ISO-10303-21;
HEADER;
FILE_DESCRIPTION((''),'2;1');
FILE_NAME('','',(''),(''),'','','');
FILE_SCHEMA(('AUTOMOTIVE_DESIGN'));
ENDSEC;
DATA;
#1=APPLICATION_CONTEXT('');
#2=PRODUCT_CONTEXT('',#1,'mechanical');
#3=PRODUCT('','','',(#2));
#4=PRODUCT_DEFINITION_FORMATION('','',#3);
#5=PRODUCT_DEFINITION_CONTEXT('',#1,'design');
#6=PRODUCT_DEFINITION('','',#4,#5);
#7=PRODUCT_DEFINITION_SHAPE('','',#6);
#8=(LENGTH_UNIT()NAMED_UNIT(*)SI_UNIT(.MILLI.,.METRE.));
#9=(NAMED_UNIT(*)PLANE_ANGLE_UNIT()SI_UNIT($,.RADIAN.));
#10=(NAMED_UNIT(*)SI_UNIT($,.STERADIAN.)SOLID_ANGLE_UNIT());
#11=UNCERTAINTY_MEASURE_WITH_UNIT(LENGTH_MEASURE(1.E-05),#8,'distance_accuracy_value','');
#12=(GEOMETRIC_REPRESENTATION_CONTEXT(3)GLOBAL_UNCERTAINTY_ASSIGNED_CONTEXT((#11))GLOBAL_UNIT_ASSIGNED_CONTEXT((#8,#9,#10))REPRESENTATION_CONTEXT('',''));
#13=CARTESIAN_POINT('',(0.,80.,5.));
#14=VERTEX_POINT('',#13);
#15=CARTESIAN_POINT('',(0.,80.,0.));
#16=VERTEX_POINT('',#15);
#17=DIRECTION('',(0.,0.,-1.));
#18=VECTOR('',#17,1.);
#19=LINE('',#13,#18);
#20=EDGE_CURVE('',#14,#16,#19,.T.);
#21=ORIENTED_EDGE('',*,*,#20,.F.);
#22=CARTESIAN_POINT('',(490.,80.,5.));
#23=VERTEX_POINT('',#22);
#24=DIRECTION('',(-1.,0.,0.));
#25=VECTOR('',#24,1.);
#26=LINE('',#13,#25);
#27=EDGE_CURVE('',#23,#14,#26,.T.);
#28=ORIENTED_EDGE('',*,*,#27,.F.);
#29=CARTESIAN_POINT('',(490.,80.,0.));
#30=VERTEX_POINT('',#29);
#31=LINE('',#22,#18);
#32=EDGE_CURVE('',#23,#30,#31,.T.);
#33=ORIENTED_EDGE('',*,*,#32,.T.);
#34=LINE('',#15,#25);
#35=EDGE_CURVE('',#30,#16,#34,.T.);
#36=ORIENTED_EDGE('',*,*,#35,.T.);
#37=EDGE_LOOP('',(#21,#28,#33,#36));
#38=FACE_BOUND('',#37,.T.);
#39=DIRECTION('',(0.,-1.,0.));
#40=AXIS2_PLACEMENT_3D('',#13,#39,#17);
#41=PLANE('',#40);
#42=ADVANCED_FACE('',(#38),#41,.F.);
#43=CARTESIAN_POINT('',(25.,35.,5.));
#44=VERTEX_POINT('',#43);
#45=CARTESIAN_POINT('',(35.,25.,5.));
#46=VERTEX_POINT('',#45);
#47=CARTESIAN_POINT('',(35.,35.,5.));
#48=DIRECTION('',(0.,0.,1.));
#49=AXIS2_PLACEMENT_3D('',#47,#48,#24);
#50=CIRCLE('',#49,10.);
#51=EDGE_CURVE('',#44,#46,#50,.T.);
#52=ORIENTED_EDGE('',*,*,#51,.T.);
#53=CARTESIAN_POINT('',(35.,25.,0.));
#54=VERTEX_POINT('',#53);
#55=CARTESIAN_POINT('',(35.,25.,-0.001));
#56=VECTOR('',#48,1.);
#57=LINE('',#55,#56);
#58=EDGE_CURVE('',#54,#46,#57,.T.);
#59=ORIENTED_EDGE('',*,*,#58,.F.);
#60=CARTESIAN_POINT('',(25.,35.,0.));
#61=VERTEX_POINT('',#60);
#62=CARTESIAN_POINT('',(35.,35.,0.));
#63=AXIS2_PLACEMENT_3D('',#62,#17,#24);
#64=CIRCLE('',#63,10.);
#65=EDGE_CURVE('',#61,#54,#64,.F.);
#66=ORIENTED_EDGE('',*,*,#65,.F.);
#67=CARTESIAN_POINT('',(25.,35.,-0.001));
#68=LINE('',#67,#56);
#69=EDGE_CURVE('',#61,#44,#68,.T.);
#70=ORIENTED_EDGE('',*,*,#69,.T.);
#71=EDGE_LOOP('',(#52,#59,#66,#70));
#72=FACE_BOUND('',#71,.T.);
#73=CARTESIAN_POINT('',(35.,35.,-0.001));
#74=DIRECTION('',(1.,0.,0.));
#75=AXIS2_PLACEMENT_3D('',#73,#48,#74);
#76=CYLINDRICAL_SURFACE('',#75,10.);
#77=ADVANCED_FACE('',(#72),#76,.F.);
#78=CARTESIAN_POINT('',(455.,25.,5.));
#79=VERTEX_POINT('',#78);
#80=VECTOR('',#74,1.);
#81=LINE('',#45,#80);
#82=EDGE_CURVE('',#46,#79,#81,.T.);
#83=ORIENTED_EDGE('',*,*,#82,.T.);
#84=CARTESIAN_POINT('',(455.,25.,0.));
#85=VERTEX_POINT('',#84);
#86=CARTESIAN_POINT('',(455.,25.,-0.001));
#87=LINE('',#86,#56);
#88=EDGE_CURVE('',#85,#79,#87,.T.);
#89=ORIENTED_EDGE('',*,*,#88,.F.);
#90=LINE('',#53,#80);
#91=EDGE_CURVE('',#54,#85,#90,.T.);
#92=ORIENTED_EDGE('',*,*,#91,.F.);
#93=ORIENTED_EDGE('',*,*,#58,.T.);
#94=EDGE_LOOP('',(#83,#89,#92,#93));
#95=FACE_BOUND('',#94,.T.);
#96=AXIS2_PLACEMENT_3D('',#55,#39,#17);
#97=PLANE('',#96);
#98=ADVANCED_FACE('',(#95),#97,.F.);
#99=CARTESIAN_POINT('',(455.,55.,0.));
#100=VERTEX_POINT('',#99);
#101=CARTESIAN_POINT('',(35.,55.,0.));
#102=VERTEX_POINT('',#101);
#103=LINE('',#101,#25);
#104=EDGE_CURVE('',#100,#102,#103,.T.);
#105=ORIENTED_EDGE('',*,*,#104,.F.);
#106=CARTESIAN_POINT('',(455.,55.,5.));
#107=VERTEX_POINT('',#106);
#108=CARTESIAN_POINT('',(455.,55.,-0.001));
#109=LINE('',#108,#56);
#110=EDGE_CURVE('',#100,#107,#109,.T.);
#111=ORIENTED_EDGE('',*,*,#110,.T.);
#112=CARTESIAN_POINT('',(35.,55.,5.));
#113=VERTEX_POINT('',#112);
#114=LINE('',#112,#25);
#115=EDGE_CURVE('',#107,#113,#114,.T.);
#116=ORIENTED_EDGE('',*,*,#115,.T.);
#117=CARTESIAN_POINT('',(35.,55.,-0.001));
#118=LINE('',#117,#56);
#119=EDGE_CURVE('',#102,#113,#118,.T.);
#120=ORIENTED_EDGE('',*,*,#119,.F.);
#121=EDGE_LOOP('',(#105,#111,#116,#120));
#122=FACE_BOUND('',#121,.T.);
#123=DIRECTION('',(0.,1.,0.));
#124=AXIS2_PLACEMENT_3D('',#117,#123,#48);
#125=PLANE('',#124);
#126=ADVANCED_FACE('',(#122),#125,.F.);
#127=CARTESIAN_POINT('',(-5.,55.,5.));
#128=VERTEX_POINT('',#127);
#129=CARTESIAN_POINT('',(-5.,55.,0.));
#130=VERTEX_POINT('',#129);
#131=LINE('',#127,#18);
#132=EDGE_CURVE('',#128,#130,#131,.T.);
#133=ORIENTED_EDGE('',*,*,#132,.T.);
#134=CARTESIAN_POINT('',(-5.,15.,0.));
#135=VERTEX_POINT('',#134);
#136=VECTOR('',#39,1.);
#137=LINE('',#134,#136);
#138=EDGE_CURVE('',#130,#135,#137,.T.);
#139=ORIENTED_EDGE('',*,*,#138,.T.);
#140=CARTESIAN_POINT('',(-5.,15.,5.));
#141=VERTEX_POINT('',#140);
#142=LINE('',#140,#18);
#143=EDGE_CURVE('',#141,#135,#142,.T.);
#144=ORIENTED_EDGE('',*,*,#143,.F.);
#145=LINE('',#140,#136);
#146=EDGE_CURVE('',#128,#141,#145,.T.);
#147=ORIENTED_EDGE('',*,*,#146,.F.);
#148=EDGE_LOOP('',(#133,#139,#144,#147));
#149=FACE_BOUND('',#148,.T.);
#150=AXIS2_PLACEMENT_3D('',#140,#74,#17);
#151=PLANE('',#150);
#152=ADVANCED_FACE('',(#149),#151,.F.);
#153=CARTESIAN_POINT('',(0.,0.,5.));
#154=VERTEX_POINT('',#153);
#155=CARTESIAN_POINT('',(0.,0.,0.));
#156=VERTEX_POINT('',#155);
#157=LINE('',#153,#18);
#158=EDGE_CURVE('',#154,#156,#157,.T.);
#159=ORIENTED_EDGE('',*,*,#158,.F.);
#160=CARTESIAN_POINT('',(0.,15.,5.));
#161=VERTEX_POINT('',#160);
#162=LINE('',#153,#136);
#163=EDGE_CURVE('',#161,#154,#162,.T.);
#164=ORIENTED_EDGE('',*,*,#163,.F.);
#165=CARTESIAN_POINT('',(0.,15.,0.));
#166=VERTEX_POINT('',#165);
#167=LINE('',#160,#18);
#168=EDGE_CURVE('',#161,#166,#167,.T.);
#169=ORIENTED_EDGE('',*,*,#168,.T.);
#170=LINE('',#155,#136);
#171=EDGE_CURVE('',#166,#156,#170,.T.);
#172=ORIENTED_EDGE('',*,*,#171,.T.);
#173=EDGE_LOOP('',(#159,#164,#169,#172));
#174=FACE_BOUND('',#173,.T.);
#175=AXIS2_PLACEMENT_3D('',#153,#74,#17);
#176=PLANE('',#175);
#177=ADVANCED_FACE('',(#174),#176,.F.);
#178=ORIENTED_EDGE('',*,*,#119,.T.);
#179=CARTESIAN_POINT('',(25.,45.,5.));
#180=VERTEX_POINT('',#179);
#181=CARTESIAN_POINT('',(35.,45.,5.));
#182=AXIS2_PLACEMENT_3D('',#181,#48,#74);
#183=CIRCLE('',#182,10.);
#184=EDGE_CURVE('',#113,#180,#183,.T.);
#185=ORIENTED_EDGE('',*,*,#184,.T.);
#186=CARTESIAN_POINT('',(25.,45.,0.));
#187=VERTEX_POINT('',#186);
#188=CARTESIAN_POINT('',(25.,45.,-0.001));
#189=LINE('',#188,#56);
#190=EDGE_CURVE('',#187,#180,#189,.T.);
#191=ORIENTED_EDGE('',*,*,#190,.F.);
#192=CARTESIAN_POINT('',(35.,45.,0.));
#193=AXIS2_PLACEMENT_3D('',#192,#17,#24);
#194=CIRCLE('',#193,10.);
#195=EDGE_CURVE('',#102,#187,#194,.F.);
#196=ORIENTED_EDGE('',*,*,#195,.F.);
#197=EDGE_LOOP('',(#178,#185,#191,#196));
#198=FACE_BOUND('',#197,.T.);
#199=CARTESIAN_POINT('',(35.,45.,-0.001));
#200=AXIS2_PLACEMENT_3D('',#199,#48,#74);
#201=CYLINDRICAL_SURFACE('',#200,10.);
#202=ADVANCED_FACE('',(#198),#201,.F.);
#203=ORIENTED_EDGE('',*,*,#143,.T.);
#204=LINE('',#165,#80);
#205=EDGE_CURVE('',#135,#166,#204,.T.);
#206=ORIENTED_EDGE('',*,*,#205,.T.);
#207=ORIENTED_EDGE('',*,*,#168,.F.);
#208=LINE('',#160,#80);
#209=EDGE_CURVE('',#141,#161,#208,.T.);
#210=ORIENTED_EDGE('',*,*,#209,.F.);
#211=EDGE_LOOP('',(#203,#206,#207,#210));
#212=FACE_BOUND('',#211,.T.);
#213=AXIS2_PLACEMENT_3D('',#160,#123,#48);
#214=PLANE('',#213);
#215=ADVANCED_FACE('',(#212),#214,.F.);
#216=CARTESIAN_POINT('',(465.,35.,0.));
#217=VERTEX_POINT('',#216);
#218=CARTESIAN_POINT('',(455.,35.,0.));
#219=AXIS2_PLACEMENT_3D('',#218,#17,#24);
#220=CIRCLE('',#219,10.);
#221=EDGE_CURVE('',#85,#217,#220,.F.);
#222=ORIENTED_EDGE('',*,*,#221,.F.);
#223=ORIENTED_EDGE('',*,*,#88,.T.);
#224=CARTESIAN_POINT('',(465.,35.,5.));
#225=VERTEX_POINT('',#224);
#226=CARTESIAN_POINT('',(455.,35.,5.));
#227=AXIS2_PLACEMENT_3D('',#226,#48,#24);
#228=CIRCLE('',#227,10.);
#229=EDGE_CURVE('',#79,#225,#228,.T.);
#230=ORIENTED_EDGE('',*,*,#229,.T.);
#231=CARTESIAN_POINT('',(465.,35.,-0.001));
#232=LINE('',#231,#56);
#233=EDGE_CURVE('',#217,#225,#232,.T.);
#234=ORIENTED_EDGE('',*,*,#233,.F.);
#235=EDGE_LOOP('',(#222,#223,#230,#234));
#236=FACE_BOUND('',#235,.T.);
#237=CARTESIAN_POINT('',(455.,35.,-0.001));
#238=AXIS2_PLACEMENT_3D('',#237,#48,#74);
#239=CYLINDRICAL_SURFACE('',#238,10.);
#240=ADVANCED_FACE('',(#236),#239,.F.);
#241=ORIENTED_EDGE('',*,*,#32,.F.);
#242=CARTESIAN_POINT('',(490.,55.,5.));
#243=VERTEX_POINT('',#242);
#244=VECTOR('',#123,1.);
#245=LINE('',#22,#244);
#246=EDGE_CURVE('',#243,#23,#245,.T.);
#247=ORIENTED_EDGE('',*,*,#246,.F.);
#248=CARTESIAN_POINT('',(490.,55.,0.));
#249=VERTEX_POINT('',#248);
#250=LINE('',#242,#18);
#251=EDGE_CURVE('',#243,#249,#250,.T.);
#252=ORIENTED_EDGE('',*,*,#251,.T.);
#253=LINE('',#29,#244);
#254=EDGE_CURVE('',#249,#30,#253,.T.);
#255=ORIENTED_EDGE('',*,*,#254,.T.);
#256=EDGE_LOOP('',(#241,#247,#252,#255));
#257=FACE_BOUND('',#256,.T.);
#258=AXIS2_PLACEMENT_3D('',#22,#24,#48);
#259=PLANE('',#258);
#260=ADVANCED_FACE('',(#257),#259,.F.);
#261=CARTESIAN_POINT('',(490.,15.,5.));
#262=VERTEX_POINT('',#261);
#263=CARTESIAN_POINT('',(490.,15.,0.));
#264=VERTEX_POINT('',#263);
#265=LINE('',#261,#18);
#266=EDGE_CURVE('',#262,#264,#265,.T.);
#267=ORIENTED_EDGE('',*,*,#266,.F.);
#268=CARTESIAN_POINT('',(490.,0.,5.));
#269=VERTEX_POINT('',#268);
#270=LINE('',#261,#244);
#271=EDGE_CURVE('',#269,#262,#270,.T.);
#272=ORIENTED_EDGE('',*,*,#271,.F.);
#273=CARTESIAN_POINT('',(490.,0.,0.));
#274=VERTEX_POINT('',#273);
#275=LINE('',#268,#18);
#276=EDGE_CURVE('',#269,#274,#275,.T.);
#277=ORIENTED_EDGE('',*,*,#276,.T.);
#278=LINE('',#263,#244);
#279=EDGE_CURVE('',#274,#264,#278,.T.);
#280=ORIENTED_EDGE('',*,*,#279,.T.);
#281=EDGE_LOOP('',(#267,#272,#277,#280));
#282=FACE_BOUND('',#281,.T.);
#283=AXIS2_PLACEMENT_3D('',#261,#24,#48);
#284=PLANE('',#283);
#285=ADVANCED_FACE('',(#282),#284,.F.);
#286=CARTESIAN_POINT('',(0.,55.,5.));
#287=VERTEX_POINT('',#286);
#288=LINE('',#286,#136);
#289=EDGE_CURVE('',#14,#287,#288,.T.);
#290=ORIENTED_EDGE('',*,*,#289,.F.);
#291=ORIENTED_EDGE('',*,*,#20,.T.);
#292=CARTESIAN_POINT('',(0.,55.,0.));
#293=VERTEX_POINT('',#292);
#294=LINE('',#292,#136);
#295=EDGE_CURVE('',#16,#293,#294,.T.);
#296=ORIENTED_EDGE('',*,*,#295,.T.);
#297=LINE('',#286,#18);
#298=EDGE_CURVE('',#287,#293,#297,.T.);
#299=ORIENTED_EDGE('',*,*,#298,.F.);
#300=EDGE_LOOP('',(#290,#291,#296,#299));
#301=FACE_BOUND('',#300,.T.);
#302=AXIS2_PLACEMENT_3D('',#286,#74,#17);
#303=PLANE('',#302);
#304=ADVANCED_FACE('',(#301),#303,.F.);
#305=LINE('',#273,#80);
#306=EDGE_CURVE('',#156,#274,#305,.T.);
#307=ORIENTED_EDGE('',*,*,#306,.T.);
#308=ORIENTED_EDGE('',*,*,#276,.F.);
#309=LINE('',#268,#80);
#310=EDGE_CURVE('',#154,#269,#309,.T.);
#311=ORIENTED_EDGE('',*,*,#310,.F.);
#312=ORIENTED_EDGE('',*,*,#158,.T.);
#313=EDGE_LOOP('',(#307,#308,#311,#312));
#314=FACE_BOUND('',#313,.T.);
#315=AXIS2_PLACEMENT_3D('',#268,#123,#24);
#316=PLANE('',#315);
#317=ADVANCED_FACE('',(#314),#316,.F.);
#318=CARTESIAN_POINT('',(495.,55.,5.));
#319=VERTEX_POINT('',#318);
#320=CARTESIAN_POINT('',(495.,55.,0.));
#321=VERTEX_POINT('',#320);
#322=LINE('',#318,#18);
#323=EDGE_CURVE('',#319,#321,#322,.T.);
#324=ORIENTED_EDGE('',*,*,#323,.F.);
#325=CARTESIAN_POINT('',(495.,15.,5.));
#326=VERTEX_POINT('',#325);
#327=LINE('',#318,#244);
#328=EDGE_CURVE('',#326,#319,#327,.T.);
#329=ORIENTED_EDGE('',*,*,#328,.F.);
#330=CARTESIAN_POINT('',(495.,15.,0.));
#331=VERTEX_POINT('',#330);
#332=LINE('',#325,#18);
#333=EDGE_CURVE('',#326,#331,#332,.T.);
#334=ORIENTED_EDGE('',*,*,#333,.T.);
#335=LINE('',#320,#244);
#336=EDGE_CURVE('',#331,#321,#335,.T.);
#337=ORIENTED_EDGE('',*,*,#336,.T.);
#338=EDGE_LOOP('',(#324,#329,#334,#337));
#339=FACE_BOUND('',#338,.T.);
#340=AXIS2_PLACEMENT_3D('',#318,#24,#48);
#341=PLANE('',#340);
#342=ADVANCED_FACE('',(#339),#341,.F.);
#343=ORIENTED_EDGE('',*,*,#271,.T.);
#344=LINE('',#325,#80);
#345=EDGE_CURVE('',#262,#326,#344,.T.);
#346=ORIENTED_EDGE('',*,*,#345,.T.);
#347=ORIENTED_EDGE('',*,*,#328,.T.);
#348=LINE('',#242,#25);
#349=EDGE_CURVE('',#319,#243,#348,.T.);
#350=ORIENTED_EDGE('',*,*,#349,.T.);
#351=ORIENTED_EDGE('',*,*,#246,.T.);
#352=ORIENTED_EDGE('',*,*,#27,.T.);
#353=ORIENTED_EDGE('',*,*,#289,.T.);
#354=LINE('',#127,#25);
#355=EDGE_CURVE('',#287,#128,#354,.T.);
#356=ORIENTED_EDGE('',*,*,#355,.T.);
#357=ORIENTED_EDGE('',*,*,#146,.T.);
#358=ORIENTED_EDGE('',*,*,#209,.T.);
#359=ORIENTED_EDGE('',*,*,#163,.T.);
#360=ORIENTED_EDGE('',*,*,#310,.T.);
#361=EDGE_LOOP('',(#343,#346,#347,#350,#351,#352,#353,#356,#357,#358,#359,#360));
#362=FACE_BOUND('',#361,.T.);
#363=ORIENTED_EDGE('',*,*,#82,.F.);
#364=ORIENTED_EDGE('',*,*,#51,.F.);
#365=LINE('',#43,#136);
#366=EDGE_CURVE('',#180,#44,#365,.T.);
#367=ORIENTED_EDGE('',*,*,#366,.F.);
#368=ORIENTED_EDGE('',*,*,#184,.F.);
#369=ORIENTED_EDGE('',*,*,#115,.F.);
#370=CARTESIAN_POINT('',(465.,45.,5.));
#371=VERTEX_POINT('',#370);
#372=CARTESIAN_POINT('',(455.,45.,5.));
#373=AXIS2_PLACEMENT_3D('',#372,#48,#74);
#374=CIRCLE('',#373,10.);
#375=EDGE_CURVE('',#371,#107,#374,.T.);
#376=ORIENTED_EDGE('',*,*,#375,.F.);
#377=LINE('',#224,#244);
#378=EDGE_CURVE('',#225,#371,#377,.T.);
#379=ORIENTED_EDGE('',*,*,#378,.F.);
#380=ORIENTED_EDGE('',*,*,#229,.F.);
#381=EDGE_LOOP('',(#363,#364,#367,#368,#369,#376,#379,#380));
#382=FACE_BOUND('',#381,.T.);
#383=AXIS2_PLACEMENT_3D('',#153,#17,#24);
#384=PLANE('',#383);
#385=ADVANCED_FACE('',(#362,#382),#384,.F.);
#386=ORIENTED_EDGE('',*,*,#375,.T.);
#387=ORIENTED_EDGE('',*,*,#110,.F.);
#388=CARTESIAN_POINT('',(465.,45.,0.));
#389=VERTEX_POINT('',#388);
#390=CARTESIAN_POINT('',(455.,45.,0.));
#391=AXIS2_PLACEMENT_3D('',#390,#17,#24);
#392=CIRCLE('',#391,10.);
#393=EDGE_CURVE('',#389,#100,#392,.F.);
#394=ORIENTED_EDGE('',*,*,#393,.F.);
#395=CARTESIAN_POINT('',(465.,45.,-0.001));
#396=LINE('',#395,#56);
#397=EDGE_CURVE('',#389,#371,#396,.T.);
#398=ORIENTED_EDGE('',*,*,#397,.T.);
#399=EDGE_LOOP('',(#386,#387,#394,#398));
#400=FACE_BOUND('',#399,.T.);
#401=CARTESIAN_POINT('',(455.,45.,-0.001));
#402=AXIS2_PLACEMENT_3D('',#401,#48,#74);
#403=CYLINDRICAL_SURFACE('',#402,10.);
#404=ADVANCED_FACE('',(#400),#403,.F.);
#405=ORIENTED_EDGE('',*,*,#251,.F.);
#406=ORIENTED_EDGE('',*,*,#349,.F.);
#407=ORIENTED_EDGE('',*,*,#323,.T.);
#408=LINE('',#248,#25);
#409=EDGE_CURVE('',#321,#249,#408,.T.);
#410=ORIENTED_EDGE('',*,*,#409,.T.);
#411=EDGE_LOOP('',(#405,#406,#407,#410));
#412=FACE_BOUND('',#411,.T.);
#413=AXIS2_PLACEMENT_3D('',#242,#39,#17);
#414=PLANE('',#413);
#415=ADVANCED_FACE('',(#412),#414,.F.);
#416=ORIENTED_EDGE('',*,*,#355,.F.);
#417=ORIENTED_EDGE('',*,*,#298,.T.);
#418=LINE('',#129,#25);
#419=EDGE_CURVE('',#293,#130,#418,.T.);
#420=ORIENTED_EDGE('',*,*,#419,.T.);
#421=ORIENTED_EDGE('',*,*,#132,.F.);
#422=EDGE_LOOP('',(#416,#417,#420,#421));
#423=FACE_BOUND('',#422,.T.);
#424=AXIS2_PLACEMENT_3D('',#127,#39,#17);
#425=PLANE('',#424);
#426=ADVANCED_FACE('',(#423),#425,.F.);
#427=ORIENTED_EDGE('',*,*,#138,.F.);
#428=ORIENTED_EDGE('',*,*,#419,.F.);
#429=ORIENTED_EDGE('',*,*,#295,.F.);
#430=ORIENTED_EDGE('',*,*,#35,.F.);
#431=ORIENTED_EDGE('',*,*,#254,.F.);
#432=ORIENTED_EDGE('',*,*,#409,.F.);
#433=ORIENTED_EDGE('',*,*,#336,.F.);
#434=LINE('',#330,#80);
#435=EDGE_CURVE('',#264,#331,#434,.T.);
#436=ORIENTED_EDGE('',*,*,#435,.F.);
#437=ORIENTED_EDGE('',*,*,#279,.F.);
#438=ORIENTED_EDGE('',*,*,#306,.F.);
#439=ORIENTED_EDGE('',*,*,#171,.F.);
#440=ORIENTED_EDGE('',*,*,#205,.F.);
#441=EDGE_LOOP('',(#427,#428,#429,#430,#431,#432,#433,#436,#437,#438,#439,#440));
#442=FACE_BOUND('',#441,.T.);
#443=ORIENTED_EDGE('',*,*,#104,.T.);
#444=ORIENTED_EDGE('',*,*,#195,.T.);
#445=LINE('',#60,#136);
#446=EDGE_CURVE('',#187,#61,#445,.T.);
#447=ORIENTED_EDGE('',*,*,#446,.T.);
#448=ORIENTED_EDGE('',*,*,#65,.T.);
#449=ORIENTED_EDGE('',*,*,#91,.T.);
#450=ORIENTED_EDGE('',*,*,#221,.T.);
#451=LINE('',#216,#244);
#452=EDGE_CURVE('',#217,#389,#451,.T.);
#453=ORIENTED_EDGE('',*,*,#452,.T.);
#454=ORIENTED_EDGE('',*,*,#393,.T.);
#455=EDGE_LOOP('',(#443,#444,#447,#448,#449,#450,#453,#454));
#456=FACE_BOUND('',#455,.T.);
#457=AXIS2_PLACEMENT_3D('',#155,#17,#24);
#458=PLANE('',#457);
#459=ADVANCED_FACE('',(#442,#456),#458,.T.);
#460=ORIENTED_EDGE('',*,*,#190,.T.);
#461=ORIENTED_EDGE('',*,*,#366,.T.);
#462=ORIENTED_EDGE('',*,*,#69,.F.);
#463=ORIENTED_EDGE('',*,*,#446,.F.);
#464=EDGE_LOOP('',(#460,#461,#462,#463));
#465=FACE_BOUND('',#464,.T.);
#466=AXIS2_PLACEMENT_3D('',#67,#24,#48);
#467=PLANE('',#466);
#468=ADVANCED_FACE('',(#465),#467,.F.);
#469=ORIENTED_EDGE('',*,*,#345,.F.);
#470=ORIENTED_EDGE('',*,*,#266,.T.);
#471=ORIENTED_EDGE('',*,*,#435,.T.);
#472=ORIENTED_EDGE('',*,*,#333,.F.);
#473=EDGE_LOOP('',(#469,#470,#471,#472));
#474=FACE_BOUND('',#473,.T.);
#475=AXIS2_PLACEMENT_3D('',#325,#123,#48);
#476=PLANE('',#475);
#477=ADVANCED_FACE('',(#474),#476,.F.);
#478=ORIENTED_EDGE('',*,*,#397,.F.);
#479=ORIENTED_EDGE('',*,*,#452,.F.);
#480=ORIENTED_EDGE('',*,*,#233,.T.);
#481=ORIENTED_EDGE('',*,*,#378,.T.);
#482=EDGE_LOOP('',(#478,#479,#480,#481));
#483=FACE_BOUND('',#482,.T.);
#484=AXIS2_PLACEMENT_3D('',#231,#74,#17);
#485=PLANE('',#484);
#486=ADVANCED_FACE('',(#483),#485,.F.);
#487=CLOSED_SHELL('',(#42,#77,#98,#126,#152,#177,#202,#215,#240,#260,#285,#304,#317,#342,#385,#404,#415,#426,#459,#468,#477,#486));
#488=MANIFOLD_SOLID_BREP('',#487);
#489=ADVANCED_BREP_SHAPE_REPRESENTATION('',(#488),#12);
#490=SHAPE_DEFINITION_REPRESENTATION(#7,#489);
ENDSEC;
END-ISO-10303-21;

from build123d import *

# Parameters (mm, degrees)
BOSS_EXTRU_1_DEPTH      = 5
ENL_V_MAT_EXTRU_1_REACH = 7


with BuildPart() as part:
    # Esquisse1 → Boss.-Extru.1 (new body)
    with BuildSketch(Plane.XY):
        Polygon((0, 0), (0, 15), (-5, 15), (-5, 55), (0, 55), (0, 80), (490, 80), (490, 55), (495, 55), (495, 15), (490, 15), (490, 0), align=None)
    extrude(amount=BOSS_EXTRU_1_DEPTH)

    # Esquisse2 → Enlèv. mat.-Extru.1 (cut, up to next)
    with BuildSketch(Plane.XY.offset(5), mode=Mode.PRIVATE) as enl_v_mat_extru_1_sk1:
        with BuildLine():
            Line((35, 25), (455, 25))
            ThreePointArc((455, 25), (462.071067812, 27.928932188), (465, 35))
            Line((465, 35), (465, 45))
            ThreePointArc((465, 45), (462.071067812, 52.071067812), (455, 55))
            Line((455, 55), (35, 55))
            ThreePointArc((35, 55), (27.928932188, 52.071067812), (25, 45))
            Line((25, 45), (25, 35))
            ThreePointArc((25, 35), (27.928932188, 27.928932188), (35, 25))
        make_face()
    enl_v_mat_extru_1_tool1 = extrude(enl_v_mat_extru_1_sk1.sketch, amount=-ENL_V_MAT_EXTRU_1_REACH, mode=Mode.PRIVATE) & part.part
    add(enl_v_mat_extru_1_tool1.solids().sort_by_distance((245, 40, 5))[0], mode=Mode.SUBTRACT)


solid = part.part
